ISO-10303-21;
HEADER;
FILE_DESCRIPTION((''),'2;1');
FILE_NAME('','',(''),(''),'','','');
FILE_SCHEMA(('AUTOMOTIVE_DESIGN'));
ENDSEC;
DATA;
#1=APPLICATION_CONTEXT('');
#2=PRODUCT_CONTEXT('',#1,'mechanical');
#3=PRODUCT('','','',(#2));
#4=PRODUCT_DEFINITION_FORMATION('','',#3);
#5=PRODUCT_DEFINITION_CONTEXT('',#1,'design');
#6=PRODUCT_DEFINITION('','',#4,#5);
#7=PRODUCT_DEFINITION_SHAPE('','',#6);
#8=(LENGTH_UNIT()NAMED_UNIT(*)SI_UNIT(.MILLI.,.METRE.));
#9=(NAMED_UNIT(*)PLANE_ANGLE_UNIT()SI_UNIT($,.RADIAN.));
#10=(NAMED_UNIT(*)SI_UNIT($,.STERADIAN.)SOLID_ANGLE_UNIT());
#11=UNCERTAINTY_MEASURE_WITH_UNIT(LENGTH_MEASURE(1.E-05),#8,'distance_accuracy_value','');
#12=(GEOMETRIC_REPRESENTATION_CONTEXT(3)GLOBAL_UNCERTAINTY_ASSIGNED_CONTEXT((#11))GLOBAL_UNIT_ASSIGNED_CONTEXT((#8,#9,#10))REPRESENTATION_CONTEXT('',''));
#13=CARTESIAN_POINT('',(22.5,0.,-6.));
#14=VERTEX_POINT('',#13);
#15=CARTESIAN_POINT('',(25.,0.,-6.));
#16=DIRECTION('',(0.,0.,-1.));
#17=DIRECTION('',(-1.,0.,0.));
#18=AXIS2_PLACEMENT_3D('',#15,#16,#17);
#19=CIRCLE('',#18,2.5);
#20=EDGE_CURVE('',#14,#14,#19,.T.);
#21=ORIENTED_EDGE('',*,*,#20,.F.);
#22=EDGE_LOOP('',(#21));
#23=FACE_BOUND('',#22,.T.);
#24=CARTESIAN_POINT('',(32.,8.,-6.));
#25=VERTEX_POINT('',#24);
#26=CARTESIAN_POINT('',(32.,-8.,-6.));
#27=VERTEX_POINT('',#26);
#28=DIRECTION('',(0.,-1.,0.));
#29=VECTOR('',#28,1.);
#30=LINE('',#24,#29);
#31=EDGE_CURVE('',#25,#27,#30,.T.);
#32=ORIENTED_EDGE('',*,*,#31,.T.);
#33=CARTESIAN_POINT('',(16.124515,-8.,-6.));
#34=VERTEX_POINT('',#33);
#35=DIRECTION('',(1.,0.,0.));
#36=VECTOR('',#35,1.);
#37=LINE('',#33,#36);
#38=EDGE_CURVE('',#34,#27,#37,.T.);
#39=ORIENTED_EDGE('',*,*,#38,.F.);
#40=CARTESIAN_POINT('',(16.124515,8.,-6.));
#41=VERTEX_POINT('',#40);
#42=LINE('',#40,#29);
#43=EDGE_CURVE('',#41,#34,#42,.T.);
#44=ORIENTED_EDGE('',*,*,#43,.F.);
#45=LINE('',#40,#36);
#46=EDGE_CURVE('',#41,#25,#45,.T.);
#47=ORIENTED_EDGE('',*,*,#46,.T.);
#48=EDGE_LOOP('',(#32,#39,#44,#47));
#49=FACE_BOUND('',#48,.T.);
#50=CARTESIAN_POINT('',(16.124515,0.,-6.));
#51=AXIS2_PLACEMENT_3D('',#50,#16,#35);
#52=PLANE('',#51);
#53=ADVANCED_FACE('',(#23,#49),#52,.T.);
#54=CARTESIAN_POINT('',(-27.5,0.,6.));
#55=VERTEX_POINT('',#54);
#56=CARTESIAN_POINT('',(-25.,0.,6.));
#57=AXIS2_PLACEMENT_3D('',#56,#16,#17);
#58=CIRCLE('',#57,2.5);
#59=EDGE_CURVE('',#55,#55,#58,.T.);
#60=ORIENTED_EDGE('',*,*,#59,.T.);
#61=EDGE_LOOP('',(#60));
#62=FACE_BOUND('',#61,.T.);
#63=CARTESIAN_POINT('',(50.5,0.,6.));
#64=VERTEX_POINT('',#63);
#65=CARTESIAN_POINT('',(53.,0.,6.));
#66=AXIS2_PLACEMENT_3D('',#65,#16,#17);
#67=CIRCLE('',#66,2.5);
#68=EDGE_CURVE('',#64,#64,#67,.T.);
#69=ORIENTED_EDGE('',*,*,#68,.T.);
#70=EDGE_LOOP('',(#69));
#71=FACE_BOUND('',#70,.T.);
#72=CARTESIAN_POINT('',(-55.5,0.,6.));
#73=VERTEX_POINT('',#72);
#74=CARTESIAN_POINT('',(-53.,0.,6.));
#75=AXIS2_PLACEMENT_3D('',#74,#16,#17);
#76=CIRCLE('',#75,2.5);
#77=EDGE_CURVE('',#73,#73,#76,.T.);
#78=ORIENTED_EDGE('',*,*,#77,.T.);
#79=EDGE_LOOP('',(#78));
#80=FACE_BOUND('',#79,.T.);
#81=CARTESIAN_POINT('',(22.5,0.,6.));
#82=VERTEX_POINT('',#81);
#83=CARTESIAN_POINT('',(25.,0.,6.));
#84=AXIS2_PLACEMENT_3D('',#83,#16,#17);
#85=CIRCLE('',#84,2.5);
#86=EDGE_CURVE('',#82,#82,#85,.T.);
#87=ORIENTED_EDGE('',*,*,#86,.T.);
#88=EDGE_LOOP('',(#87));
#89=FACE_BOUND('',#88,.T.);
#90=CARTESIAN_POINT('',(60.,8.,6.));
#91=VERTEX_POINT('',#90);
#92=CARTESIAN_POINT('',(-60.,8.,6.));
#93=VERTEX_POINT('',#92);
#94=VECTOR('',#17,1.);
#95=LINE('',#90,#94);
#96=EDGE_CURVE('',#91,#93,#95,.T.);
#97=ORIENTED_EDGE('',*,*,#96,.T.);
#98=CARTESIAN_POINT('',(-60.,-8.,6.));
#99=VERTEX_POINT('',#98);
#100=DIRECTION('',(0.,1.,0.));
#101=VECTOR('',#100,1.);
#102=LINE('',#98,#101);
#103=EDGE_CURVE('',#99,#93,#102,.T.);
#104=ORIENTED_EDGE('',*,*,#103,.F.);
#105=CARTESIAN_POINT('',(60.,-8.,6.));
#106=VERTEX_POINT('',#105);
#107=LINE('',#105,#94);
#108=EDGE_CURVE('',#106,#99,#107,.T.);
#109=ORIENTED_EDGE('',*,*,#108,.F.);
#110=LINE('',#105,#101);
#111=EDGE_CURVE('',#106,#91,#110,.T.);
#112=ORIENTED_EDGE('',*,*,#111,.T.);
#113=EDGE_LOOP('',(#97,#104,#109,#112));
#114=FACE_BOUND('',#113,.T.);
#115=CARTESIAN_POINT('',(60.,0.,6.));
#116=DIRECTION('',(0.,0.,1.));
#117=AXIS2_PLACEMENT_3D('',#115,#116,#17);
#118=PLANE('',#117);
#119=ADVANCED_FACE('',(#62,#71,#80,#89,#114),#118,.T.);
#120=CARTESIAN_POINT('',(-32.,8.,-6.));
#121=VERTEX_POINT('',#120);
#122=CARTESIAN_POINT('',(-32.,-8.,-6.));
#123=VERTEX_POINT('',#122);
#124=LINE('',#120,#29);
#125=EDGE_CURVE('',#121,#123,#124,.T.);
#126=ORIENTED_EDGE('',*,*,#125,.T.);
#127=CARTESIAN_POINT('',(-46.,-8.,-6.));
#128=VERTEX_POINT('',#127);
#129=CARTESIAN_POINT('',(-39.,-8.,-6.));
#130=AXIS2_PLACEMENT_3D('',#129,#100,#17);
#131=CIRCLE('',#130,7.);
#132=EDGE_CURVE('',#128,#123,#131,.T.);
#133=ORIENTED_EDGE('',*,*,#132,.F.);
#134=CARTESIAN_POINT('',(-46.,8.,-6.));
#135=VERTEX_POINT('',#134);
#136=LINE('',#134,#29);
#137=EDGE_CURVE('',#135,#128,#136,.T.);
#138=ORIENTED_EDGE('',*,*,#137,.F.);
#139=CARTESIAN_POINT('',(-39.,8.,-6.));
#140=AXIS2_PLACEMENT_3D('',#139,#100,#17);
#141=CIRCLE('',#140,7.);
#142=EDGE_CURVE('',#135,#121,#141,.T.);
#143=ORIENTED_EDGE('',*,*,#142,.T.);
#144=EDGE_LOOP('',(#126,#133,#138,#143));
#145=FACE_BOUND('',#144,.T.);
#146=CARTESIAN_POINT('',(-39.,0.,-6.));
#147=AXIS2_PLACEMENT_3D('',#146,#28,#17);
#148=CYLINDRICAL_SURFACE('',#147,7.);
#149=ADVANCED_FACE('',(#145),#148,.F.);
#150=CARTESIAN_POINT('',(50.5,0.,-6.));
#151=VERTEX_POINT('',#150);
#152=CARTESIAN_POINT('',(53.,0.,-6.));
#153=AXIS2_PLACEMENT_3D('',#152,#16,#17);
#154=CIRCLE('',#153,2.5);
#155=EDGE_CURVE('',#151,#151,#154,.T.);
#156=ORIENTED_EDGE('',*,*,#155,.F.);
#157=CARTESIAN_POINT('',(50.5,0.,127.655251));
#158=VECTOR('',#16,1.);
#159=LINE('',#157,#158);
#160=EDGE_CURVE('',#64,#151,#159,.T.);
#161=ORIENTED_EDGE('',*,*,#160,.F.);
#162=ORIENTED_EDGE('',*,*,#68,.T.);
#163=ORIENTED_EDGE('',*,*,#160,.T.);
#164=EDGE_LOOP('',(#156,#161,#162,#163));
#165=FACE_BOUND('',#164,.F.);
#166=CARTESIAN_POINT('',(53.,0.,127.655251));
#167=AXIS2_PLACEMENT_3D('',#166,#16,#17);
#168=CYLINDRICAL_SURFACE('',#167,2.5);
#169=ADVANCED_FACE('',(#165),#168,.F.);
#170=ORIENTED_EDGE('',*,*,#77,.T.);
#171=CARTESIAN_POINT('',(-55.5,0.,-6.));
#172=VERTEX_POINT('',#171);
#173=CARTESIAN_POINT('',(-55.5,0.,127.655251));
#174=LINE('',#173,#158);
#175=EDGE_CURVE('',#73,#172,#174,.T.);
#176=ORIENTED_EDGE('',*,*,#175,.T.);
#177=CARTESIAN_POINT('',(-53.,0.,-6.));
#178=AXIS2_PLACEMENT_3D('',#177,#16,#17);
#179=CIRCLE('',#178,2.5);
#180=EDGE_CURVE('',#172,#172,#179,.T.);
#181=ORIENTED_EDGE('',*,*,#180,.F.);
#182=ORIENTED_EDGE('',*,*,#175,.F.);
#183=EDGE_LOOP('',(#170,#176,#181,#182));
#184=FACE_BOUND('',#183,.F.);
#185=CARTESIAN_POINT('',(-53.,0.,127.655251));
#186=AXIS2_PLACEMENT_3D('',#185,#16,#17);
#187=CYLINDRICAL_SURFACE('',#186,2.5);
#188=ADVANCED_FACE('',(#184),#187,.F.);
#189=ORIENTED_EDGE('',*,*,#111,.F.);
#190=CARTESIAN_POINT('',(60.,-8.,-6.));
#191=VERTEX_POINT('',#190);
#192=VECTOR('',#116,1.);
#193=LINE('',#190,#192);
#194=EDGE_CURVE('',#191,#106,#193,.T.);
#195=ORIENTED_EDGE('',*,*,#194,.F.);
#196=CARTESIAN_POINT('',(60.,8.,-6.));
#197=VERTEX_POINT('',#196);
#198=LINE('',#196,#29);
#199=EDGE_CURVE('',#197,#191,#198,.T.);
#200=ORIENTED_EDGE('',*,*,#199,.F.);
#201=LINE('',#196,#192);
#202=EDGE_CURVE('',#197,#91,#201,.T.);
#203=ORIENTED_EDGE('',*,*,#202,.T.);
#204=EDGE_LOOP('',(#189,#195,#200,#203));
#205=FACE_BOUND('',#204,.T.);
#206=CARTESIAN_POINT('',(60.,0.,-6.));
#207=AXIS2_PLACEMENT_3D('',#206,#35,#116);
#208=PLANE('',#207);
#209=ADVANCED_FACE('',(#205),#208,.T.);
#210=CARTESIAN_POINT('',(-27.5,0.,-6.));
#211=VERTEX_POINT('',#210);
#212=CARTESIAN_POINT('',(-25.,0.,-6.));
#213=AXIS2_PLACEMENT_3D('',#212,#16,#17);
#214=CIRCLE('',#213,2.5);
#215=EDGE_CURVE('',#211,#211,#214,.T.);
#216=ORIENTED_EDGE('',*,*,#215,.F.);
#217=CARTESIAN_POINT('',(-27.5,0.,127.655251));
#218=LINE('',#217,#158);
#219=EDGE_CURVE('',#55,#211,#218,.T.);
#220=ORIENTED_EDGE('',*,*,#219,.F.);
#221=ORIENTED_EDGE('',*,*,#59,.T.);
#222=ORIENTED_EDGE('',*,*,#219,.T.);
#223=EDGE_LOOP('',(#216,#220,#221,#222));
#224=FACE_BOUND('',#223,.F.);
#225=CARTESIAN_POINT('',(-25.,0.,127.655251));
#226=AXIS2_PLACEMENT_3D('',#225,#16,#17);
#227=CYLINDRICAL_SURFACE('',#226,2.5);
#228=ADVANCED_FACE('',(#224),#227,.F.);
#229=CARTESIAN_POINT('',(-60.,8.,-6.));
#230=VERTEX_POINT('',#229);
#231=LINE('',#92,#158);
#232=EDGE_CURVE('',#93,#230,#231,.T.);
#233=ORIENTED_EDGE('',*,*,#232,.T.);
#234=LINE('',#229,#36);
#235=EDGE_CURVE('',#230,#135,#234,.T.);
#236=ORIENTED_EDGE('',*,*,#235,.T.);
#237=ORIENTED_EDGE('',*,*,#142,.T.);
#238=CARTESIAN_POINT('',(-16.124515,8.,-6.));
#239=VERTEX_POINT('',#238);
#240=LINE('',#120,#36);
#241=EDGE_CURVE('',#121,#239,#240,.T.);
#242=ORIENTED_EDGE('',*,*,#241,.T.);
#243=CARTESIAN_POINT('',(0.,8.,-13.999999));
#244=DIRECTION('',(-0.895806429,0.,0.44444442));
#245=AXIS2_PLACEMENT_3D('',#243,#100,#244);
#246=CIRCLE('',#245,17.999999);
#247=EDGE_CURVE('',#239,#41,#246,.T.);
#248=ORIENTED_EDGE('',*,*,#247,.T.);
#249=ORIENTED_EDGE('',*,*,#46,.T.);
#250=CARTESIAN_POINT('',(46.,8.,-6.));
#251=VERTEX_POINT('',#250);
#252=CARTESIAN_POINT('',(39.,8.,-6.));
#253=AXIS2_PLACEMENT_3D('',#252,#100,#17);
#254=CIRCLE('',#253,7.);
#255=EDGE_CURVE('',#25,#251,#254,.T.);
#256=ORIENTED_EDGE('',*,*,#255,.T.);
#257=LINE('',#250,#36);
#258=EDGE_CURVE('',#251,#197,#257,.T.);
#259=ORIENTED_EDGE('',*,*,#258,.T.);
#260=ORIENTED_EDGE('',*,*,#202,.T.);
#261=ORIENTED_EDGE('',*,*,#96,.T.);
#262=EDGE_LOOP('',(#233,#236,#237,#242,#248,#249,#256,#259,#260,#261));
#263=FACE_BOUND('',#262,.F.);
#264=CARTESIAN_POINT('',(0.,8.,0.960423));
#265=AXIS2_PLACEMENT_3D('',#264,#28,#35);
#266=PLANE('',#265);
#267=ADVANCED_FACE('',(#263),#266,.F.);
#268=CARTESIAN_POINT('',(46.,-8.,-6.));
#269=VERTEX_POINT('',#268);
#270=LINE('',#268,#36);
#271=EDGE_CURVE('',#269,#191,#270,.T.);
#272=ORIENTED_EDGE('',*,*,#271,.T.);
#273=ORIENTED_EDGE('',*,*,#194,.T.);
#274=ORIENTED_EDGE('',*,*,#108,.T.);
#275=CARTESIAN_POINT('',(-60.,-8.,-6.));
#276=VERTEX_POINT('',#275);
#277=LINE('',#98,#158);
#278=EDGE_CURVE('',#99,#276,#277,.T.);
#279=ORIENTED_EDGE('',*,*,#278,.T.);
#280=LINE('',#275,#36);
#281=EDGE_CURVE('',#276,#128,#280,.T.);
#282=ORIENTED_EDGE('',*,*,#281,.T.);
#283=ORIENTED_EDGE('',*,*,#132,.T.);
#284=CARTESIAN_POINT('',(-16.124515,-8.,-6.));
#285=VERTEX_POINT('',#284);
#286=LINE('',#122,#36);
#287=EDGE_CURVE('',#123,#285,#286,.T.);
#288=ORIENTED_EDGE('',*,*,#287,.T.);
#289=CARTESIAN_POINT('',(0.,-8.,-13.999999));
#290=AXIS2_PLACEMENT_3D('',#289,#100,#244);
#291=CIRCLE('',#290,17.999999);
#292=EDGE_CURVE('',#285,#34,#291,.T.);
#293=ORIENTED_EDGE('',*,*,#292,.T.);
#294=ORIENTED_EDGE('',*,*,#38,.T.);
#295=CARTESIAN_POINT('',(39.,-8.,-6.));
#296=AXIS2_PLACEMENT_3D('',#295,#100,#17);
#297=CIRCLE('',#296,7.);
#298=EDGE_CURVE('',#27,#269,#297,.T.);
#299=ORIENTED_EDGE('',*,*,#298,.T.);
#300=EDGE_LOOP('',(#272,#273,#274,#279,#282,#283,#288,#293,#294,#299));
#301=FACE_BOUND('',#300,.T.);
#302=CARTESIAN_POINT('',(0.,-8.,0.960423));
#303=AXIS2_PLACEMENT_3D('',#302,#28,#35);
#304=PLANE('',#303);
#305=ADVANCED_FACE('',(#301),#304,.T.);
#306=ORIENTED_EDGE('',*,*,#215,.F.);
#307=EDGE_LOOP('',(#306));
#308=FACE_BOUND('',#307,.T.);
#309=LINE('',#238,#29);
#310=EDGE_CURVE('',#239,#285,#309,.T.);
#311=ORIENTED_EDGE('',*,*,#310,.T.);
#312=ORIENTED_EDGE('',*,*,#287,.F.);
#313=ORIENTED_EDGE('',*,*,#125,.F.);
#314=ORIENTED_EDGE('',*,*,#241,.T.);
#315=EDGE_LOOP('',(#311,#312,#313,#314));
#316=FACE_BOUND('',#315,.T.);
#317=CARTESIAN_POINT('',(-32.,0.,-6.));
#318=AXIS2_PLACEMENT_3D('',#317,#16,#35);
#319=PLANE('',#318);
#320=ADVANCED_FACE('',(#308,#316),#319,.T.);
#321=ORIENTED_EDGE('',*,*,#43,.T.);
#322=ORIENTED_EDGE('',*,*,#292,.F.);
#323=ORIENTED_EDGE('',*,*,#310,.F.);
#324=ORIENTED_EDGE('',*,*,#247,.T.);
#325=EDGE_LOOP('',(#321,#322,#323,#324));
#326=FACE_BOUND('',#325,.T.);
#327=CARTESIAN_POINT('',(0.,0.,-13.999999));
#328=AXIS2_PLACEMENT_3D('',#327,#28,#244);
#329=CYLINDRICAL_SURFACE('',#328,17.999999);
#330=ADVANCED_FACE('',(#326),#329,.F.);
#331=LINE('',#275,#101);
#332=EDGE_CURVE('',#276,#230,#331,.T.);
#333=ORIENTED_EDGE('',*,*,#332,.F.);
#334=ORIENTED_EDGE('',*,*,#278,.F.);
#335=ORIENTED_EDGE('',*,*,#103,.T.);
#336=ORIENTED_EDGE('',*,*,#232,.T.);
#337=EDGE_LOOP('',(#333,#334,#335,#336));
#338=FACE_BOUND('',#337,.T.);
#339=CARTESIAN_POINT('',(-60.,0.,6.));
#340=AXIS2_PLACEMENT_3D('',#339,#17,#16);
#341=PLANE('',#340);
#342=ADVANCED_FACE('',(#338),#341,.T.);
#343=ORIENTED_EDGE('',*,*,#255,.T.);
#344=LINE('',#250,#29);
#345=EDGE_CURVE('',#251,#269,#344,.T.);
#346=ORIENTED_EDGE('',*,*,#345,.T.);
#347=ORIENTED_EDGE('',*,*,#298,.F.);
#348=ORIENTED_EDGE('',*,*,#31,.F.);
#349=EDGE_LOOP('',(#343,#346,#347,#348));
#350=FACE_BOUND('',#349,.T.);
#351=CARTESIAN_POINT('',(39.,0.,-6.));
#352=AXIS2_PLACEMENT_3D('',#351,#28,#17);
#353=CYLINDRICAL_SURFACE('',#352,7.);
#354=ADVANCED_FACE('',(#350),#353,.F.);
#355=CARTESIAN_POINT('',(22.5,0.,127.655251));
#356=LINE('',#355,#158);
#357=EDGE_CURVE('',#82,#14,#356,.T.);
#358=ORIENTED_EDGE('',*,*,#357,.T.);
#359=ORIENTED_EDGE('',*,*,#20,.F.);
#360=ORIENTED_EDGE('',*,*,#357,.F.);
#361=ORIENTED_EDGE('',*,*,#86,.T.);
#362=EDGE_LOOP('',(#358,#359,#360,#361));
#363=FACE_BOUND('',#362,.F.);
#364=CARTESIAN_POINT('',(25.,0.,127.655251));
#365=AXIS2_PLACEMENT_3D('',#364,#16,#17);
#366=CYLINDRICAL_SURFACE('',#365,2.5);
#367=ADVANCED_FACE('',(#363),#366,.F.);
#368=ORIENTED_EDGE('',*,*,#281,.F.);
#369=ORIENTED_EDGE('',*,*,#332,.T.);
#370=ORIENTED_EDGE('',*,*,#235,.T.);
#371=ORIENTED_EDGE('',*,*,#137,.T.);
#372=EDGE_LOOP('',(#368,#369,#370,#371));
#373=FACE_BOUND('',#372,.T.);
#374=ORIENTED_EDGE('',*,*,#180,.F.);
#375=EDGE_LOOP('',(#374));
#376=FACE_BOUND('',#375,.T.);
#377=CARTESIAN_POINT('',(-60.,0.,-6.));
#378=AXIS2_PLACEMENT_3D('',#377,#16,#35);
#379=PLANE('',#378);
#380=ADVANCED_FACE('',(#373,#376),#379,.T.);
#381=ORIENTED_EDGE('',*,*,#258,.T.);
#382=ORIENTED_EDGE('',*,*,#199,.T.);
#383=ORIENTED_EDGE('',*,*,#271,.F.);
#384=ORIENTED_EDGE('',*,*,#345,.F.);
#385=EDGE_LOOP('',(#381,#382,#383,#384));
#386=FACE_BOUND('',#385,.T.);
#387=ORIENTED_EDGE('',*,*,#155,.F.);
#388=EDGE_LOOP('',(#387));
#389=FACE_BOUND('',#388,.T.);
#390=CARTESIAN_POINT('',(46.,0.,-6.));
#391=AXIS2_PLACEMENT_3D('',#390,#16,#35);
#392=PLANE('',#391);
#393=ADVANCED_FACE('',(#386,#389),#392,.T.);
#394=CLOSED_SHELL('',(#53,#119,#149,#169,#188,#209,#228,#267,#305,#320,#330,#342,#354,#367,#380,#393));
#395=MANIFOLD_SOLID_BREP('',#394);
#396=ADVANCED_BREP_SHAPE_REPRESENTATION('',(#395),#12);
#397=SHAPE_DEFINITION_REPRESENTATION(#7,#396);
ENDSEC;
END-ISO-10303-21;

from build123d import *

# Parameters (mm, degrees)
F1_DEPTH = 8
F3_D     = 5


with BuildPart() as f1:
    # F0 (on Front) → F1 (new body, symmetric)
    with BuildSketch(Plane.XZ):
        with BuildLine():
            Line((-60, -6), (-46, -6))
            ThreePointArc((-46, -6), (-39, 1), (-32, -6))
            Line((-32, -6), (-16.124515, -6))
            ThreePointArc((-16.124515, -6), (0, 4), (16.124515, -6))
            Line((16.124515, -6), (32, -6))
            ThreePointArc((32, -6), (39, 1), (46, -6))
            Line((46, -6), (60, -6))
            Line((60, -6), (60, 6))
            Line((60, 6), (-60, 6))
            Line((-60, 6), (-60, -6))
        make_face()
    extrude(amount=F1_DEPTH, both=True)

    # F3 (through all)
    with Locations(Plane.XY.offset(6)):
        with Locations((-53, 0), (-25, 0), (25, 0), (53, 0)):
            Hole(F3_D / 2)


solid = f1.part
